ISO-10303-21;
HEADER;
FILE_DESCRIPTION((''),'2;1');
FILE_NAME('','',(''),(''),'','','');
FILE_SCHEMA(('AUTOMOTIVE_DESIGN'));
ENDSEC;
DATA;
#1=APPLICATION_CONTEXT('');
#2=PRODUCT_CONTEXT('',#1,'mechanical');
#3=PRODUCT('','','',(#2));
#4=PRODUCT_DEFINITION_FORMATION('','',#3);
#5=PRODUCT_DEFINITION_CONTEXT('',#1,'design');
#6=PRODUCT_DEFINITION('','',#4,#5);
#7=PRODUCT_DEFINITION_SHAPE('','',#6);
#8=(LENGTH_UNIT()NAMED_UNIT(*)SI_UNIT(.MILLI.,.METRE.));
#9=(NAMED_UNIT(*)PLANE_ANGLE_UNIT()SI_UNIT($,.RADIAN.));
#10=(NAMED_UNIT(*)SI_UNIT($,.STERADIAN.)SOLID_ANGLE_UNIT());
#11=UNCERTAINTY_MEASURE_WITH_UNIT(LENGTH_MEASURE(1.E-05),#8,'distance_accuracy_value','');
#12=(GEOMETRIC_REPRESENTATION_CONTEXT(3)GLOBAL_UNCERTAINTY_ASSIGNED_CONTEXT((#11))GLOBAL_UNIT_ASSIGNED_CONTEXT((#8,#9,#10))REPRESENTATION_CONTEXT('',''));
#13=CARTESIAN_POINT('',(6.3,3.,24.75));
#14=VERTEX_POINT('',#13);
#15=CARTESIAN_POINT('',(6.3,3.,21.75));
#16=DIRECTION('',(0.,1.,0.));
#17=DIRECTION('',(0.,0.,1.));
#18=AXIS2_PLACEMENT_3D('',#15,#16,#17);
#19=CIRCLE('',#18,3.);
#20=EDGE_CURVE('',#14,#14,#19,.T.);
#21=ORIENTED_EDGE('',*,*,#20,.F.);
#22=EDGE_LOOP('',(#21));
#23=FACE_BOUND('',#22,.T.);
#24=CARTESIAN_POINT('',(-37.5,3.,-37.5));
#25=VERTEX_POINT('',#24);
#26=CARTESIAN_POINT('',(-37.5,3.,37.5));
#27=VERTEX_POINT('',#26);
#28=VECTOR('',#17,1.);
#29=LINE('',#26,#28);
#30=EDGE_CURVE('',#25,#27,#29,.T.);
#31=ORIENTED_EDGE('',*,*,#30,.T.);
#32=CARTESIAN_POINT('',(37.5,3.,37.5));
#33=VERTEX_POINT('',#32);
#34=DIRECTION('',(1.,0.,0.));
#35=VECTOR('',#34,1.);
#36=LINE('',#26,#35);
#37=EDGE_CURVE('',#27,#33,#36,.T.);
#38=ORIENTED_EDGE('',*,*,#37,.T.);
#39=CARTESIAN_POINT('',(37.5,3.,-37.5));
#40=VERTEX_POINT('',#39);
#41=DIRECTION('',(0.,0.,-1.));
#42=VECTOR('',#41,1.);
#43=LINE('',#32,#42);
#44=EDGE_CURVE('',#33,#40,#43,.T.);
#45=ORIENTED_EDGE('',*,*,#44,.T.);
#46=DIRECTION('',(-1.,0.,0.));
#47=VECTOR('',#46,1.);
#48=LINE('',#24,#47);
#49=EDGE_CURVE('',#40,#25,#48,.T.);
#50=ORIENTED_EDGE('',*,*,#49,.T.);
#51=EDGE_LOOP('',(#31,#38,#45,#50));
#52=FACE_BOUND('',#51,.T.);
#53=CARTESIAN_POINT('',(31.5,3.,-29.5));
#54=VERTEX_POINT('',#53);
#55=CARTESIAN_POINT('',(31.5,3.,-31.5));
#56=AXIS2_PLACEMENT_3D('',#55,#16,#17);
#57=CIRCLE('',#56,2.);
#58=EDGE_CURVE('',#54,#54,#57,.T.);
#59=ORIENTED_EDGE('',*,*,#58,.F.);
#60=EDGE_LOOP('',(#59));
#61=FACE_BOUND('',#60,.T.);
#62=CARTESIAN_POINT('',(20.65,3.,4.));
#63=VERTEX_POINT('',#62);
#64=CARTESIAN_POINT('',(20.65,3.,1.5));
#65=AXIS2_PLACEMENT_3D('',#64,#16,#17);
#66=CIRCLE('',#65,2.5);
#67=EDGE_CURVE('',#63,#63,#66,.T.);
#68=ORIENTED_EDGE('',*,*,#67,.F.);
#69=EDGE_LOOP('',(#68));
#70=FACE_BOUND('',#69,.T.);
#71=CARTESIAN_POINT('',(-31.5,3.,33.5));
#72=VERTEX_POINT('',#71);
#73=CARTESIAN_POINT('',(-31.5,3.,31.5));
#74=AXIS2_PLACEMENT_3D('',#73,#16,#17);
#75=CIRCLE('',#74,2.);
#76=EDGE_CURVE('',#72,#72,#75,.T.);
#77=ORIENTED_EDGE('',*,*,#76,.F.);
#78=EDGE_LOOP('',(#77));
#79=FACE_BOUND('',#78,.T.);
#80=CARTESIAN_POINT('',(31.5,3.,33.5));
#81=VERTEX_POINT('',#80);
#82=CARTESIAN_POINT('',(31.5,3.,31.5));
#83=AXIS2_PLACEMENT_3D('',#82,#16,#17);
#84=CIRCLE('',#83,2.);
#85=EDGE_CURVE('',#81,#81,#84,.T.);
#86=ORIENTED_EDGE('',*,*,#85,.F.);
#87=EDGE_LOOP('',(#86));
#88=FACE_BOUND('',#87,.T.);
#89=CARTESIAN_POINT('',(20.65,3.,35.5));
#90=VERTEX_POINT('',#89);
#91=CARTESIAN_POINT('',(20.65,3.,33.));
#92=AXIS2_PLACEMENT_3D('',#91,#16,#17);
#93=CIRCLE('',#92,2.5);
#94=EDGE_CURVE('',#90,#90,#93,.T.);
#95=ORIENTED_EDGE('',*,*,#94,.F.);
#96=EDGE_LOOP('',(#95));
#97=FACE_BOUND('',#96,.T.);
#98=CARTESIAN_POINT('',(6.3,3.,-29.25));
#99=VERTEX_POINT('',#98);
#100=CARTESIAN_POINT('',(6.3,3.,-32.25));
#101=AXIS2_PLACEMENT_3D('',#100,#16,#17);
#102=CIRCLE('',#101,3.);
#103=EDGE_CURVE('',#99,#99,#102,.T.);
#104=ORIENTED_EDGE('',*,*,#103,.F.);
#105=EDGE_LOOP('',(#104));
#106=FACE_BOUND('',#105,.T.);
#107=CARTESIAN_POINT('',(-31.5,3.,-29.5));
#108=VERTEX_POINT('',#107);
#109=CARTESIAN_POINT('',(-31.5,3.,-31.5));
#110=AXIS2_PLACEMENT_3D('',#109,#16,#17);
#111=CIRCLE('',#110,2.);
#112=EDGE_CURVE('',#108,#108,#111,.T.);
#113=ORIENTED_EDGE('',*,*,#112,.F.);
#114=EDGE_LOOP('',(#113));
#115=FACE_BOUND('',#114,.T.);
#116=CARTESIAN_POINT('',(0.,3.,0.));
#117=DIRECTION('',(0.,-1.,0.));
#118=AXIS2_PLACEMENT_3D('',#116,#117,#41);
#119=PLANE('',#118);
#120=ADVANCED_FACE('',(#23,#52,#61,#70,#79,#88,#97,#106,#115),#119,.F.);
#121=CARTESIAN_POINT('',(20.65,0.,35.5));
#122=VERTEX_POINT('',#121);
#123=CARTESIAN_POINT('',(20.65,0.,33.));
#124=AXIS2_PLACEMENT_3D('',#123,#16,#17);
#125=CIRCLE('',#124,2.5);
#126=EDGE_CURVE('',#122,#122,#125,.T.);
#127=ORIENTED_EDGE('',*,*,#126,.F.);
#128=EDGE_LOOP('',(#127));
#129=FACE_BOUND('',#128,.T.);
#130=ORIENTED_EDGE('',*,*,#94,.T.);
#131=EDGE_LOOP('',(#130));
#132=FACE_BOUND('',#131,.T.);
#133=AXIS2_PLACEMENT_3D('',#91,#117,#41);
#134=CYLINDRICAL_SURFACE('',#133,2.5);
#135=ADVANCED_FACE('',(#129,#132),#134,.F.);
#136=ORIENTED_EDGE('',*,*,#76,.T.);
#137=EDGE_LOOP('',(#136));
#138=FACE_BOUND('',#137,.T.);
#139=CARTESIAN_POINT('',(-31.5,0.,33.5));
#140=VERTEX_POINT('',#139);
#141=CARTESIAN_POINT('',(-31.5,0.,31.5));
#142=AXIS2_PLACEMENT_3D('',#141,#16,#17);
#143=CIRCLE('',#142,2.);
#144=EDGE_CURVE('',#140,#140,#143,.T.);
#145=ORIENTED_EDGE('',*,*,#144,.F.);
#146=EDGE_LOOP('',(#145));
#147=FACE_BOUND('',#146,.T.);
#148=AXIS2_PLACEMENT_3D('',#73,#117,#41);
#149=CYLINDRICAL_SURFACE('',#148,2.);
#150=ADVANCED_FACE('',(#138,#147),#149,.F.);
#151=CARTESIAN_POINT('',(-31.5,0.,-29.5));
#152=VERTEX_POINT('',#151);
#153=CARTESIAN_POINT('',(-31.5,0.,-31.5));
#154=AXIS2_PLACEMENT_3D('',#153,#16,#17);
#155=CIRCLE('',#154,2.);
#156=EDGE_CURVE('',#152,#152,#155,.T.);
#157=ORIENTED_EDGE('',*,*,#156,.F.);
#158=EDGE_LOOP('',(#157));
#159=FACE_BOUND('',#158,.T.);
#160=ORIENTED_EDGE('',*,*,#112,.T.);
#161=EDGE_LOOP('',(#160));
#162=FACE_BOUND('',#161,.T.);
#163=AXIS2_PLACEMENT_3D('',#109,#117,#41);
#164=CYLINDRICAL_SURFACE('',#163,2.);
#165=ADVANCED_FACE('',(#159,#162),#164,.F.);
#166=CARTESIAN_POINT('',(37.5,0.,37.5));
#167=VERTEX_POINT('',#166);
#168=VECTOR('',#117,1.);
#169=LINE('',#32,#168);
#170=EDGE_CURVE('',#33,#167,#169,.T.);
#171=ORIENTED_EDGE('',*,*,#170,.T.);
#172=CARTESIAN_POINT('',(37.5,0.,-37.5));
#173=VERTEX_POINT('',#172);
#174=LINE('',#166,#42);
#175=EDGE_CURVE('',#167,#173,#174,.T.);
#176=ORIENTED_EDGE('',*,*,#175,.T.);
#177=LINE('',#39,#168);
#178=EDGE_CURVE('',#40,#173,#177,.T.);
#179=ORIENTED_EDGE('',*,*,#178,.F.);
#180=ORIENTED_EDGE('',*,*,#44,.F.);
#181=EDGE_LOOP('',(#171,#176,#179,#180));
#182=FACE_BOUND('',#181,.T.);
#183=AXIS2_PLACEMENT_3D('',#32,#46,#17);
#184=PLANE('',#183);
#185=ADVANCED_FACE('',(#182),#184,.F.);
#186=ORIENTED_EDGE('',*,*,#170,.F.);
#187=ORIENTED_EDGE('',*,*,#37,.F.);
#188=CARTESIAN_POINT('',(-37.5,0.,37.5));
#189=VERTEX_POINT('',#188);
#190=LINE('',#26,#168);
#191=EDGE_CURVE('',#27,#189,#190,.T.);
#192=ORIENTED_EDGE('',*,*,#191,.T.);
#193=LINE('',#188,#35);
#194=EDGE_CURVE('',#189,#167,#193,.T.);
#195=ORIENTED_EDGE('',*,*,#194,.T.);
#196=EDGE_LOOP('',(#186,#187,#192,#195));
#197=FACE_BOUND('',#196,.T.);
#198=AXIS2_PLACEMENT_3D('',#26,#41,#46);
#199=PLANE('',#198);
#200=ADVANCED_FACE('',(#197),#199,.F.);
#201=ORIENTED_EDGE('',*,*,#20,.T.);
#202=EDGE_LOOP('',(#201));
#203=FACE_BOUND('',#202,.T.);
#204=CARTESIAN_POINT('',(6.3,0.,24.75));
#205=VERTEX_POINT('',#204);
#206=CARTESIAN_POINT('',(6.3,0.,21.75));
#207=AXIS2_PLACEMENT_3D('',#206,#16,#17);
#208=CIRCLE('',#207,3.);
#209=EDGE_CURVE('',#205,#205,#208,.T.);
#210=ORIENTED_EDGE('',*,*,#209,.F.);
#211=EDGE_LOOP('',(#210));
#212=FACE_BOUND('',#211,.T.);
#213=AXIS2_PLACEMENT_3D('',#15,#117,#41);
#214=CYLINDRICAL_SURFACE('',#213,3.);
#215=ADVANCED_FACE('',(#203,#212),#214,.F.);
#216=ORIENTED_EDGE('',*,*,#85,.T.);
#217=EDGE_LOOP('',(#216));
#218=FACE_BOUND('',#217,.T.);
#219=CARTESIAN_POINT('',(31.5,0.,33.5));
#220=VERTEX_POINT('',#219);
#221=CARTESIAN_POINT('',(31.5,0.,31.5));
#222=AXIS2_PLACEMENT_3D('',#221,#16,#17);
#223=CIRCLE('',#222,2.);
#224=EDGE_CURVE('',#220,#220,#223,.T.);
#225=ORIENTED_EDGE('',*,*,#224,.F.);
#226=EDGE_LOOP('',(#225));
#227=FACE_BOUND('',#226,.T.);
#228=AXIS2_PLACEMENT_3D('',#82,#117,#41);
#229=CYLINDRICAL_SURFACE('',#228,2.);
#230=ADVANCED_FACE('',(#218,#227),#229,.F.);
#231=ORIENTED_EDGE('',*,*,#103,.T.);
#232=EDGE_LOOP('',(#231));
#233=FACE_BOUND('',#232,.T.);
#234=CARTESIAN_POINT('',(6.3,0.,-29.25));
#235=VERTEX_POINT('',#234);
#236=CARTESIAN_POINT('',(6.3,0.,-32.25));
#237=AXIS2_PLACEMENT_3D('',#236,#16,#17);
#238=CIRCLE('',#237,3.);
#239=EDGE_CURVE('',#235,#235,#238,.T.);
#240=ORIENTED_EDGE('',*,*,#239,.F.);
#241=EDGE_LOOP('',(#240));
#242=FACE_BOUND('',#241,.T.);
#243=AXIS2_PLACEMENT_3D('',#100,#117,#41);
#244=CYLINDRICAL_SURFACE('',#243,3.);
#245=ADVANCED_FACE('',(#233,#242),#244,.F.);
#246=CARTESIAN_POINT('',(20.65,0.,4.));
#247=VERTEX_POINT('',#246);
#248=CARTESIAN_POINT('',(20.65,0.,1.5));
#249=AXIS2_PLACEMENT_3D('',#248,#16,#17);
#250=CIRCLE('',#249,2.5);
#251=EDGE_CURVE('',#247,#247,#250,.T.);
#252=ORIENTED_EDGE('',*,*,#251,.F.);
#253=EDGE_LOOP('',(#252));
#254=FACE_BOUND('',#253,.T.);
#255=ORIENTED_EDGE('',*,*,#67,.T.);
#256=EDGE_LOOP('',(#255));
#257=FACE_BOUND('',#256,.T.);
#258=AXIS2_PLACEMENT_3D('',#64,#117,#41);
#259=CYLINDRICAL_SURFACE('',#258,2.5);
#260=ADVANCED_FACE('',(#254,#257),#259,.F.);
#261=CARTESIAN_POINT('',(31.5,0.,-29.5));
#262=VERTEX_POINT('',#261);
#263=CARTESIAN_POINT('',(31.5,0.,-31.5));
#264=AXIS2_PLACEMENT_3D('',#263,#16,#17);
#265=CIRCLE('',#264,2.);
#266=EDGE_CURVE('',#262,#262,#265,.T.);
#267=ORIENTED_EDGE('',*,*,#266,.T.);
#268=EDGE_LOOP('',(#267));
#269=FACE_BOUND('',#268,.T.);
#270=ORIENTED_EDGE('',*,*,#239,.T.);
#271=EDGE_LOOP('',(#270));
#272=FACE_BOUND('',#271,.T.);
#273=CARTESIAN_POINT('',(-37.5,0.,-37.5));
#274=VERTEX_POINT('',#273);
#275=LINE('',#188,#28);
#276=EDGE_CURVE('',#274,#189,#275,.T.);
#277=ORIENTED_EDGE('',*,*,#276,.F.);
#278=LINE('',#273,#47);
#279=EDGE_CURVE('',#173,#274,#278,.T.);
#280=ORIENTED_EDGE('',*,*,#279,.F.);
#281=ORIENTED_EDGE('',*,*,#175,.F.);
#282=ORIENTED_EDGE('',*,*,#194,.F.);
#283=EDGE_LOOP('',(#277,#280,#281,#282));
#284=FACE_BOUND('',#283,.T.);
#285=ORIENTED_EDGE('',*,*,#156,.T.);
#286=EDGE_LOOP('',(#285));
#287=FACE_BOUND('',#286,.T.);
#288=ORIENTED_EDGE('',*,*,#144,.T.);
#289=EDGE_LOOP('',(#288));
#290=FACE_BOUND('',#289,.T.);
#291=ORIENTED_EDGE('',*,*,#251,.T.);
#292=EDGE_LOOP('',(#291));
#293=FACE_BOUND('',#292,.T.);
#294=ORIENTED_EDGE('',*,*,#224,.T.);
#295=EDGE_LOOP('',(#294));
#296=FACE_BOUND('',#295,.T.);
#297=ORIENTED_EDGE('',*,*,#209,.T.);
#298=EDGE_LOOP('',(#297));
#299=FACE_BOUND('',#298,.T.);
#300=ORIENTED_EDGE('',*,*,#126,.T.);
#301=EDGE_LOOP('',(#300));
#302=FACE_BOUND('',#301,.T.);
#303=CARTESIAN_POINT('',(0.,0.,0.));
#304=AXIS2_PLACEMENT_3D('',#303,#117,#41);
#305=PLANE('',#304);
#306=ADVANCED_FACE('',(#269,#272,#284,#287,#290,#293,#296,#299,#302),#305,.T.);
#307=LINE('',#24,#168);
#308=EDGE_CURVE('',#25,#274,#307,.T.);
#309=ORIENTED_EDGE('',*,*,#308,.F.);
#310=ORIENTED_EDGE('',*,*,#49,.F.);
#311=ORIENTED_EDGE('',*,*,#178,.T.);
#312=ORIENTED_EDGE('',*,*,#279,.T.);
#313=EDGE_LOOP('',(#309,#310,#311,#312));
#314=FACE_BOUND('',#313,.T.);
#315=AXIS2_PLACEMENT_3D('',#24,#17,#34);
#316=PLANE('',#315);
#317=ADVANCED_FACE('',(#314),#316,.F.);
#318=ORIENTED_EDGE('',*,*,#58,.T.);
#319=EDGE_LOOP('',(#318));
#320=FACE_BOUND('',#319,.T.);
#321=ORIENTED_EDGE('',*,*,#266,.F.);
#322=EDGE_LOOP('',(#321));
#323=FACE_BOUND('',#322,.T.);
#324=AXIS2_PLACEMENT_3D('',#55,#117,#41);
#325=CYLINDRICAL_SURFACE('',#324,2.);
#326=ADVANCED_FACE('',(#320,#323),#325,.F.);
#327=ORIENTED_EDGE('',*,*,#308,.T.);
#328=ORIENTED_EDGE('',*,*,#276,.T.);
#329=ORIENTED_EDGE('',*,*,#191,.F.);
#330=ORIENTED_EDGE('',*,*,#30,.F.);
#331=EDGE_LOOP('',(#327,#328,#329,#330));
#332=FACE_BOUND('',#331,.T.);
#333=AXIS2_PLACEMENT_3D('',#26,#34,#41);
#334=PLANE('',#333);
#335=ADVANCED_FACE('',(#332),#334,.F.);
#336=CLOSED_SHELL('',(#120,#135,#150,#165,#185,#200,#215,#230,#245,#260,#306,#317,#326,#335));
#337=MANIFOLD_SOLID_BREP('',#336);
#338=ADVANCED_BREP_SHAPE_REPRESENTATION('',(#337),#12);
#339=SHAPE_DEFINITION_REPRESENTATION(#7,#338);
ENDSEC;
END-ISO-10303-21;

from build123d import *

# Parameters (mm, degrees)
SKETCH1_W           = 75
SKETCH1_H           = 75
SKETCH1_R           = 2
SKETCH1_R_2         = 2.5
SKETCH1_R_3         = 3
BOSS_EXTRUDE1_DEPTH = 3


with BuildPart() as part:
    # Sketch1 → Boss-Extrude1 (new body)
    with BuildSketch(Plane(origin=(0, 0, 0), x_dir=(1, 0, 0), z_dir=(0, 1, 0))):
        Rectangle(SKETCH1_W, SKETCH1_H)
        with Locations((31.5, 31.5)):
            Circle(SKETCH1_R, mode=Mode.SUBTRACT)
        with Locations((31.5, -31.5)):
            Circle(SKETCH1_R, mode=Mode.SUBTRACT)
        with Locations((-31.5, -31.5)):
            Circle(SKETCH1_R, mode=Mode.SUBTRACT)
        with Locations((-31.5, 31.5)):
            Circle(SKETCH1_R, mode=Mode.SUBTRACT)
        with Locations((20.65, -33)):
            Circle(SKETCH1_R_2, mode=Mode.SUBTRACT)
        with Locations((20.65, -1.5)):
            Circle(SKETCH1_R_2, mode=Mode.SUBTRACT)
        with Locations((6.3, 32.25)):
            Circle(SKETCH1_R_3, mode=Mode.SUBTRACT)
        with Locations((6.3, -21.75)):
            Circle(SKETCH1_R_3, mode=Mode.SUBTRACT)
    extrude(amount=BOSS_EXTRUDE1_DEPTH)


solid = part.part
